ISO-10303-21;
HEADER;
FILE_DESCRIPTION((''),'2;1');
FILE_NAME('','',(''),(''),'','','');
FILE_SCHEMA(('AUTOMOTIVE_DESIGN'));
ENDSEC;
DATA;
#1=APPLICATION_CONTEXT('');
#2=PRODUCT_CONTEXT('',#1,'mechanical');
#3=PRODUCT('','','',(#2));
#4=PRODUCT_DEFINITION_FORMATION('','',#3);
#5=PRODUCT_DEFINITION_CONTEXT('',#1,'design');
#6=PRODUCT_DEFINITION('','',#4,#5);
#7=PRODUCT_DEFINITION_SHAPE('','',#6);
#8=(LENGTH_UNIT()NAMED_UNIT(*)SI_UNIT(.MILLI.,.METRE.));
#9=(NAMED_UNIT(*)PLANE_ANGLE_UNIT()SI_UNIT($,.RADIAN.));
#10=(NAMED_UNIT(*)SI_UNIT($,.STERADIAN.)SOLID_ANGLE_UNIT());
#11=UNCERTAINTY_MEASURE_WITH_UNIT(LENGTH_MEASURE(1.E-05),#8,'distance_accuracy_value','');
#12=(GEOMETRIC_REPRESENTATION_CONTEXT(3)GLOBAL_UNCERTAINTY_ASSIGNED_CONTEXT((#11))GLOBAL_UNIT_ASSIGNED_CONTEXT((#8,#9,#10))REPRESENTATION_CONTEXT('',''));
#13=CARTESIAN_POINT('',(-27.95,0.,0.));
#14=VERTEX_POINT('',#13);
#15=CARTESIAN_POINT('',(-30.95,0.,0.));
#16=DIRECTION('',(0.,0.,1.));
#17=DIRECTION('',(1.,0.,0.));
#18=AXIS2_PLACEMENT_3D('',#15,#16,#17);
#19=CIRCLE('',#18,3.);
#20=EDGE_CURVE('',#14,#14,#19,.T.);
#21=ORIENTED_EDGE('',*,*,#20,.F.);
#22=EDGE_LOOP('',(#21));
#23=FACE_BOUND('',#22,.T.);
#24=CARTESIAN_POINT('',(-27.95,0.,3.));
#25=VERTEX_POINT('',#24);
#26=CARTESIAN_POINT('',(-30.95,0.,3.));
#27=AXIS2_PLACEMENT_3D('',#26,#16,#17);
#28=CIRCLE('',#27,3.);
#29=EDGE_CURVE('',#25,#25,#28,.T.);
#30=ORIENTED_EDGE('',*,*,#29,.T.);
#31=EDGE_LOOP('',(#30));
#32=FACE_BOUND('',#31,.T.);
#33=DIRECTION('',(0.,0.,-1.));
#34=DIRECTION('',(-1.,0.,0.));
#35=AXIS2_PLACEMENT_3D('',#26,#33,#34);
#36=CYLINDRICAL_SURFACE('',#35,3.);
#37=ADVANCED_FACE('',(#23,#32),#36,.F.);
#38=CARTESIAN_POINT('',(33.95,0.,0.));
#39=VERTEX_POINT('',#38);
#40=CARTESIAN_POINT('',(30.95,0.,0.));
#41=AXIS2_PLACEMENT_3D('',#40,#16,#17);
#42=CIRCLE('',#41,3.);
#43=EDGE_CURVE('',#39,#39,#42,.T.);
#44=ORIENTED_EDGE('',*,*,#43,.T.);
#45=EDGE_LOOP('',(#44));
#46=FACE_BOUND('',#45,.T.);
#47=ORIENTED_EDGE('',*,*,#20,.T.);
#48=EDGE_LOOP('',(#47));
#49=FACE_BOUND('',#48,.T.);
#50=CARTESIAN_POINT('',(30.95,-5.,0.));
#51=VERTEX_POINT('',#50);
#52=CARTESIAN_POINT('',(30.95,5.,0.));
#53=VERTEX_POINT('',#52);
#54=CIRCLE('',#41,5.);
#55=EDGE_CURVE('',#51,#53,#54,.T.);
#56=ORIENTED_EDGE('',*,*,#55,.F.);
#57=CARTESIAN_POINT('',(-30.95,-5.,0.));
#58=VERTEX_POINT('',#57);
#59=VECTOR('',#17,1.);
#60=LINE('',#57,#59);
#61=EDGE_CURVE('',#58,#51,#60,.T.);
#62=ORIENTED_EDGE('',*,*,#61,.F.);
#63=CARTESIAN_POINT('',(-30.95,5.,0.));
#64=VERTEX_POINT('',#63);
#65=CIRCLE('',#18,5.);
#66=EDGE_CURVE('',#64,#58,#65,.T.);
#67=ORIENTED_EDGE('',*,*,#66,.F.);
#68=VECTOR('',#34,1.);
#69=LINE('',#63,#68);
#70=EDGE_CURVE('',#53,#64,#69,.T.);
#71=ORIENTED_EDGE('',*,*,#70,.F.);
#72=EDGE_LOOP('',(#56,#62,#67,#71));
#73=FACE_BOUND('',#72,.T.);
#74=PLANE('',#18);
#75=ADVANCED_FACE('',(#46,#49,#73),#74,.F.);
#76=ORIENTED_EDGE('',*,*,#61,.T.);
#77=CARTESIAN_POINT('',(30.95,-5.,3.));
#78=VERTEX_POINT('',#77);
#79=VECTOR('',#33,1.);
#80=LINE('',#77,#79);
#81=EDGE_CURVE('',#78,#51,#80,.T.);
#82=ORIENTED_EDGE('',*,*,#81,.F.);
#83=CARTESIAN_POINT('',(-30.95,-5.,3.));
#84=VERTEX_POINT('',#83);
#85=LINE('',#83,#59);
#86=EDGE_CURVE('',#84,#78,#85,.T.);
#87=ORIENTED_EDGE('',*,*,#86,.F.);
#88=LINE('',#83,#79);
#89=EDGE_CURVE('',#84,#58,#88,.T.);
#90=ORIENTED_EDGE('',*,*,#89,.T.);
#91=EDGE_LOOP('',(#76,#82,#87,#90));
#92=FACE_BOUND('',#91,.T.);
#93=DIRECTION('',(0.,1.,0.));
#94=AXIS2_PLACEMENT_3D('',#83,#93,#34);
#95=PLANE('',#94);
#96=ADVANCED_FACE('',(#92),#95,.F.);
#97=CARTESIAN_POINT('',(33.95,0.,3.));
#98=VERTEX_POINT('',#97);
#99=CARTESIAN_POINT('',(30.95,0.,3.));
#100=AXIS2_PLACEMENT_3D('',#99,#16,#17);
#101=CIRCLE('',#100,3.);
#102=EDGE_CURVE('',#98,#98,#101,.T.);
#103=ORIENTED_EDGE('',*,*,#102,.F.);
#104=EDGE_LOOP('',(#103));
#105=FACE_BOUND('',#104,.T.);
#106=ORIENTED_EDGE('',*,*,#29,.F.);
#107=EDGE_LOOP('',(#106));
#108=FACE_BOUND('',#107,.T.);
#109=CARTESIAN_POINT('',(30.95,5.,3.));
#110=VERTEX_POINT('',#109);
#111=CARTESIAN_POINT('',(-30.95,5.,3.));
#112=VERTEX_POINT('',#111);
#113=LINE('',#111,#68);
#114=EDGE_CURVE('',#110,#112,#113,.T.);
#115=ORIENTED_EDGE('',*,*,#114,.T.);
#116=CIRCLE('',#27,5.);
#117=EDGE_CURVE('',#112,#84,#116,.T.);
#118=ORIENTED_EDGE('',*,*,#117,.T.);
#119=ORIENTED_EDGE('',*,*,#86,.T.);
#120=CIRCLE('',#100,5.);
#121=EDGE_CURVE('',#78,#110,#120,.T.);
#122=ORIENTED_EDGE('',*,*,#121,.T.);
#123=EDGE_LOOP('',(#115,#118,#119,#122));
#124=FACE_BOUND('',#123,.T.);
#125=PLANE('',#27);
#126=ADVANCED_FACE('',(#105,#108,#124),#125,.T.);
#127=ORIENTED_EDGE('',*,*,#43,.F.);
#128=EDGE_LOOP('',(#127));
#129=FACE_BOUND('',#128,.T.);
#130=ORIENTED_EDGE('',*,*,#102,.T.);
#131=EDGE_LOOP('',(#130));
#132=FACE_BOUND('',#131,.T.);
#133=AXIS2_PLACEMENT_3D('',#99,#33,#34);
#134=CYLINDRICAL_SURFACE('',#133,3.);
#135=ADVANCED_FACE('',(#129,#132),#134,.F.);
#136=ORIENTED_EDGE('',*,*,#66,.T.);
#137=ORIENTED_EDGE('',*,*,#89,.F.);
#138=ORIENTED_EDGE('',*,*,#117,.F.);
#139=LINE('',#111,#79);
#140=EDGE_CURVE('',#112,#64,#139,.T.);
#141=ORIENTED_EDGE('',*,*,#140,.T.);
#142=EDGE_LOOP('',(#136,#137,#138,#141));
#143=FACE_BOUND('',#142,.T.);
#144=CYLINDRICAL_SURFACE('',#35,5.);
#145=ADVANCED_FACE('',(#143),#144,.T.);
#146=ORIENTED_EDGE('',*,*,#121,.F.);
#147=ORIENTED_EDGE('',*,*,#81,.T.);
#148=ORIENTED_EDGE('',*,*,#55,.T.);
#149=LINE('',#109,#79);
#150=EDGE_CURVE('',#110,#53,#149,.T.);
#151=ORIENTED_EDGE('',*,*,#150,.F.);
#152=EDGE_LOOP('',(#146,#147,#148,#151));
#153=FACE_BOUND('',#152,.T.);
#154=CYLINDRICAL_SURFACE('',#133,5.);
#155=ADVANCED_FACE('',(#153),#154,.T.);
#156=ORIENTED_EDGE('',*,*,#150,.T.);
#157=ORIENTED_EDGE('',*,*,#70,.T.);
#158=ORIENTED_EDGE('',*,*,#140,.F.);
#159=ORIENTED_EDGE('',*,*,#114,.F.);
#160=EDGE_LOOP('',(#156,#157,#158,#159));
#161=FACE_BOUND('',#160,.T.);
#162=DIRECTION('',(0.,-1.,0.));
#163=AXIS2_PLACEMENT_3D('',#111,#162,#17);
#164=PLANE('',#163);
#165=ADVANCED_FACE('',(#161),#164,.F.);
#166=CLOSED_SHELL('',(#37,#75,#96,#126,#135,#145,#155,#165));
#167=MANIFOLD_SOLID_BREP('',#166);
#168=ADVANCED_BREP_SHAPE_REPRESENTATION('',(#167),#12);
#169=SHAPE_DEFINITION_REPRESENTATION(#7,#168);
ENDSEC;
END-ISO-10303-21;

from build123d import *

# Parameters (mm, degrees)
SKETCH_1_R      = 3
EXTRUDE_1_DEPTH = 3


with BuildPart() as part:
    # ｽｹｯﾁ1 → ﾎﾞｽ - 押し出し1 (new body)
    with BuildSketch(Plane.XY):
        with BuildLine():
            Line((-30.95, 5), (30.95, 5))
            ThreePointArc((30.95, 5), (35.95, 0), (30.95, -5))
            Line((30.95, -5), (-30.95, -5))
            ThreePointArc((-30.95, -5), (-35.95, 0), (-30.95, 5))
        make_face()
        with Locations((-30.95, 0)):
            Circle(SKETCH_1_R, mode=Mode.SUBTRACT)
        with Locations((30.95, 0)):
            Circle(SKETCH_1_R, mode=Mode.SUBTRACT)
    extrude(amount=EXTRUDE_1_DEPTH)


solid = part.part
